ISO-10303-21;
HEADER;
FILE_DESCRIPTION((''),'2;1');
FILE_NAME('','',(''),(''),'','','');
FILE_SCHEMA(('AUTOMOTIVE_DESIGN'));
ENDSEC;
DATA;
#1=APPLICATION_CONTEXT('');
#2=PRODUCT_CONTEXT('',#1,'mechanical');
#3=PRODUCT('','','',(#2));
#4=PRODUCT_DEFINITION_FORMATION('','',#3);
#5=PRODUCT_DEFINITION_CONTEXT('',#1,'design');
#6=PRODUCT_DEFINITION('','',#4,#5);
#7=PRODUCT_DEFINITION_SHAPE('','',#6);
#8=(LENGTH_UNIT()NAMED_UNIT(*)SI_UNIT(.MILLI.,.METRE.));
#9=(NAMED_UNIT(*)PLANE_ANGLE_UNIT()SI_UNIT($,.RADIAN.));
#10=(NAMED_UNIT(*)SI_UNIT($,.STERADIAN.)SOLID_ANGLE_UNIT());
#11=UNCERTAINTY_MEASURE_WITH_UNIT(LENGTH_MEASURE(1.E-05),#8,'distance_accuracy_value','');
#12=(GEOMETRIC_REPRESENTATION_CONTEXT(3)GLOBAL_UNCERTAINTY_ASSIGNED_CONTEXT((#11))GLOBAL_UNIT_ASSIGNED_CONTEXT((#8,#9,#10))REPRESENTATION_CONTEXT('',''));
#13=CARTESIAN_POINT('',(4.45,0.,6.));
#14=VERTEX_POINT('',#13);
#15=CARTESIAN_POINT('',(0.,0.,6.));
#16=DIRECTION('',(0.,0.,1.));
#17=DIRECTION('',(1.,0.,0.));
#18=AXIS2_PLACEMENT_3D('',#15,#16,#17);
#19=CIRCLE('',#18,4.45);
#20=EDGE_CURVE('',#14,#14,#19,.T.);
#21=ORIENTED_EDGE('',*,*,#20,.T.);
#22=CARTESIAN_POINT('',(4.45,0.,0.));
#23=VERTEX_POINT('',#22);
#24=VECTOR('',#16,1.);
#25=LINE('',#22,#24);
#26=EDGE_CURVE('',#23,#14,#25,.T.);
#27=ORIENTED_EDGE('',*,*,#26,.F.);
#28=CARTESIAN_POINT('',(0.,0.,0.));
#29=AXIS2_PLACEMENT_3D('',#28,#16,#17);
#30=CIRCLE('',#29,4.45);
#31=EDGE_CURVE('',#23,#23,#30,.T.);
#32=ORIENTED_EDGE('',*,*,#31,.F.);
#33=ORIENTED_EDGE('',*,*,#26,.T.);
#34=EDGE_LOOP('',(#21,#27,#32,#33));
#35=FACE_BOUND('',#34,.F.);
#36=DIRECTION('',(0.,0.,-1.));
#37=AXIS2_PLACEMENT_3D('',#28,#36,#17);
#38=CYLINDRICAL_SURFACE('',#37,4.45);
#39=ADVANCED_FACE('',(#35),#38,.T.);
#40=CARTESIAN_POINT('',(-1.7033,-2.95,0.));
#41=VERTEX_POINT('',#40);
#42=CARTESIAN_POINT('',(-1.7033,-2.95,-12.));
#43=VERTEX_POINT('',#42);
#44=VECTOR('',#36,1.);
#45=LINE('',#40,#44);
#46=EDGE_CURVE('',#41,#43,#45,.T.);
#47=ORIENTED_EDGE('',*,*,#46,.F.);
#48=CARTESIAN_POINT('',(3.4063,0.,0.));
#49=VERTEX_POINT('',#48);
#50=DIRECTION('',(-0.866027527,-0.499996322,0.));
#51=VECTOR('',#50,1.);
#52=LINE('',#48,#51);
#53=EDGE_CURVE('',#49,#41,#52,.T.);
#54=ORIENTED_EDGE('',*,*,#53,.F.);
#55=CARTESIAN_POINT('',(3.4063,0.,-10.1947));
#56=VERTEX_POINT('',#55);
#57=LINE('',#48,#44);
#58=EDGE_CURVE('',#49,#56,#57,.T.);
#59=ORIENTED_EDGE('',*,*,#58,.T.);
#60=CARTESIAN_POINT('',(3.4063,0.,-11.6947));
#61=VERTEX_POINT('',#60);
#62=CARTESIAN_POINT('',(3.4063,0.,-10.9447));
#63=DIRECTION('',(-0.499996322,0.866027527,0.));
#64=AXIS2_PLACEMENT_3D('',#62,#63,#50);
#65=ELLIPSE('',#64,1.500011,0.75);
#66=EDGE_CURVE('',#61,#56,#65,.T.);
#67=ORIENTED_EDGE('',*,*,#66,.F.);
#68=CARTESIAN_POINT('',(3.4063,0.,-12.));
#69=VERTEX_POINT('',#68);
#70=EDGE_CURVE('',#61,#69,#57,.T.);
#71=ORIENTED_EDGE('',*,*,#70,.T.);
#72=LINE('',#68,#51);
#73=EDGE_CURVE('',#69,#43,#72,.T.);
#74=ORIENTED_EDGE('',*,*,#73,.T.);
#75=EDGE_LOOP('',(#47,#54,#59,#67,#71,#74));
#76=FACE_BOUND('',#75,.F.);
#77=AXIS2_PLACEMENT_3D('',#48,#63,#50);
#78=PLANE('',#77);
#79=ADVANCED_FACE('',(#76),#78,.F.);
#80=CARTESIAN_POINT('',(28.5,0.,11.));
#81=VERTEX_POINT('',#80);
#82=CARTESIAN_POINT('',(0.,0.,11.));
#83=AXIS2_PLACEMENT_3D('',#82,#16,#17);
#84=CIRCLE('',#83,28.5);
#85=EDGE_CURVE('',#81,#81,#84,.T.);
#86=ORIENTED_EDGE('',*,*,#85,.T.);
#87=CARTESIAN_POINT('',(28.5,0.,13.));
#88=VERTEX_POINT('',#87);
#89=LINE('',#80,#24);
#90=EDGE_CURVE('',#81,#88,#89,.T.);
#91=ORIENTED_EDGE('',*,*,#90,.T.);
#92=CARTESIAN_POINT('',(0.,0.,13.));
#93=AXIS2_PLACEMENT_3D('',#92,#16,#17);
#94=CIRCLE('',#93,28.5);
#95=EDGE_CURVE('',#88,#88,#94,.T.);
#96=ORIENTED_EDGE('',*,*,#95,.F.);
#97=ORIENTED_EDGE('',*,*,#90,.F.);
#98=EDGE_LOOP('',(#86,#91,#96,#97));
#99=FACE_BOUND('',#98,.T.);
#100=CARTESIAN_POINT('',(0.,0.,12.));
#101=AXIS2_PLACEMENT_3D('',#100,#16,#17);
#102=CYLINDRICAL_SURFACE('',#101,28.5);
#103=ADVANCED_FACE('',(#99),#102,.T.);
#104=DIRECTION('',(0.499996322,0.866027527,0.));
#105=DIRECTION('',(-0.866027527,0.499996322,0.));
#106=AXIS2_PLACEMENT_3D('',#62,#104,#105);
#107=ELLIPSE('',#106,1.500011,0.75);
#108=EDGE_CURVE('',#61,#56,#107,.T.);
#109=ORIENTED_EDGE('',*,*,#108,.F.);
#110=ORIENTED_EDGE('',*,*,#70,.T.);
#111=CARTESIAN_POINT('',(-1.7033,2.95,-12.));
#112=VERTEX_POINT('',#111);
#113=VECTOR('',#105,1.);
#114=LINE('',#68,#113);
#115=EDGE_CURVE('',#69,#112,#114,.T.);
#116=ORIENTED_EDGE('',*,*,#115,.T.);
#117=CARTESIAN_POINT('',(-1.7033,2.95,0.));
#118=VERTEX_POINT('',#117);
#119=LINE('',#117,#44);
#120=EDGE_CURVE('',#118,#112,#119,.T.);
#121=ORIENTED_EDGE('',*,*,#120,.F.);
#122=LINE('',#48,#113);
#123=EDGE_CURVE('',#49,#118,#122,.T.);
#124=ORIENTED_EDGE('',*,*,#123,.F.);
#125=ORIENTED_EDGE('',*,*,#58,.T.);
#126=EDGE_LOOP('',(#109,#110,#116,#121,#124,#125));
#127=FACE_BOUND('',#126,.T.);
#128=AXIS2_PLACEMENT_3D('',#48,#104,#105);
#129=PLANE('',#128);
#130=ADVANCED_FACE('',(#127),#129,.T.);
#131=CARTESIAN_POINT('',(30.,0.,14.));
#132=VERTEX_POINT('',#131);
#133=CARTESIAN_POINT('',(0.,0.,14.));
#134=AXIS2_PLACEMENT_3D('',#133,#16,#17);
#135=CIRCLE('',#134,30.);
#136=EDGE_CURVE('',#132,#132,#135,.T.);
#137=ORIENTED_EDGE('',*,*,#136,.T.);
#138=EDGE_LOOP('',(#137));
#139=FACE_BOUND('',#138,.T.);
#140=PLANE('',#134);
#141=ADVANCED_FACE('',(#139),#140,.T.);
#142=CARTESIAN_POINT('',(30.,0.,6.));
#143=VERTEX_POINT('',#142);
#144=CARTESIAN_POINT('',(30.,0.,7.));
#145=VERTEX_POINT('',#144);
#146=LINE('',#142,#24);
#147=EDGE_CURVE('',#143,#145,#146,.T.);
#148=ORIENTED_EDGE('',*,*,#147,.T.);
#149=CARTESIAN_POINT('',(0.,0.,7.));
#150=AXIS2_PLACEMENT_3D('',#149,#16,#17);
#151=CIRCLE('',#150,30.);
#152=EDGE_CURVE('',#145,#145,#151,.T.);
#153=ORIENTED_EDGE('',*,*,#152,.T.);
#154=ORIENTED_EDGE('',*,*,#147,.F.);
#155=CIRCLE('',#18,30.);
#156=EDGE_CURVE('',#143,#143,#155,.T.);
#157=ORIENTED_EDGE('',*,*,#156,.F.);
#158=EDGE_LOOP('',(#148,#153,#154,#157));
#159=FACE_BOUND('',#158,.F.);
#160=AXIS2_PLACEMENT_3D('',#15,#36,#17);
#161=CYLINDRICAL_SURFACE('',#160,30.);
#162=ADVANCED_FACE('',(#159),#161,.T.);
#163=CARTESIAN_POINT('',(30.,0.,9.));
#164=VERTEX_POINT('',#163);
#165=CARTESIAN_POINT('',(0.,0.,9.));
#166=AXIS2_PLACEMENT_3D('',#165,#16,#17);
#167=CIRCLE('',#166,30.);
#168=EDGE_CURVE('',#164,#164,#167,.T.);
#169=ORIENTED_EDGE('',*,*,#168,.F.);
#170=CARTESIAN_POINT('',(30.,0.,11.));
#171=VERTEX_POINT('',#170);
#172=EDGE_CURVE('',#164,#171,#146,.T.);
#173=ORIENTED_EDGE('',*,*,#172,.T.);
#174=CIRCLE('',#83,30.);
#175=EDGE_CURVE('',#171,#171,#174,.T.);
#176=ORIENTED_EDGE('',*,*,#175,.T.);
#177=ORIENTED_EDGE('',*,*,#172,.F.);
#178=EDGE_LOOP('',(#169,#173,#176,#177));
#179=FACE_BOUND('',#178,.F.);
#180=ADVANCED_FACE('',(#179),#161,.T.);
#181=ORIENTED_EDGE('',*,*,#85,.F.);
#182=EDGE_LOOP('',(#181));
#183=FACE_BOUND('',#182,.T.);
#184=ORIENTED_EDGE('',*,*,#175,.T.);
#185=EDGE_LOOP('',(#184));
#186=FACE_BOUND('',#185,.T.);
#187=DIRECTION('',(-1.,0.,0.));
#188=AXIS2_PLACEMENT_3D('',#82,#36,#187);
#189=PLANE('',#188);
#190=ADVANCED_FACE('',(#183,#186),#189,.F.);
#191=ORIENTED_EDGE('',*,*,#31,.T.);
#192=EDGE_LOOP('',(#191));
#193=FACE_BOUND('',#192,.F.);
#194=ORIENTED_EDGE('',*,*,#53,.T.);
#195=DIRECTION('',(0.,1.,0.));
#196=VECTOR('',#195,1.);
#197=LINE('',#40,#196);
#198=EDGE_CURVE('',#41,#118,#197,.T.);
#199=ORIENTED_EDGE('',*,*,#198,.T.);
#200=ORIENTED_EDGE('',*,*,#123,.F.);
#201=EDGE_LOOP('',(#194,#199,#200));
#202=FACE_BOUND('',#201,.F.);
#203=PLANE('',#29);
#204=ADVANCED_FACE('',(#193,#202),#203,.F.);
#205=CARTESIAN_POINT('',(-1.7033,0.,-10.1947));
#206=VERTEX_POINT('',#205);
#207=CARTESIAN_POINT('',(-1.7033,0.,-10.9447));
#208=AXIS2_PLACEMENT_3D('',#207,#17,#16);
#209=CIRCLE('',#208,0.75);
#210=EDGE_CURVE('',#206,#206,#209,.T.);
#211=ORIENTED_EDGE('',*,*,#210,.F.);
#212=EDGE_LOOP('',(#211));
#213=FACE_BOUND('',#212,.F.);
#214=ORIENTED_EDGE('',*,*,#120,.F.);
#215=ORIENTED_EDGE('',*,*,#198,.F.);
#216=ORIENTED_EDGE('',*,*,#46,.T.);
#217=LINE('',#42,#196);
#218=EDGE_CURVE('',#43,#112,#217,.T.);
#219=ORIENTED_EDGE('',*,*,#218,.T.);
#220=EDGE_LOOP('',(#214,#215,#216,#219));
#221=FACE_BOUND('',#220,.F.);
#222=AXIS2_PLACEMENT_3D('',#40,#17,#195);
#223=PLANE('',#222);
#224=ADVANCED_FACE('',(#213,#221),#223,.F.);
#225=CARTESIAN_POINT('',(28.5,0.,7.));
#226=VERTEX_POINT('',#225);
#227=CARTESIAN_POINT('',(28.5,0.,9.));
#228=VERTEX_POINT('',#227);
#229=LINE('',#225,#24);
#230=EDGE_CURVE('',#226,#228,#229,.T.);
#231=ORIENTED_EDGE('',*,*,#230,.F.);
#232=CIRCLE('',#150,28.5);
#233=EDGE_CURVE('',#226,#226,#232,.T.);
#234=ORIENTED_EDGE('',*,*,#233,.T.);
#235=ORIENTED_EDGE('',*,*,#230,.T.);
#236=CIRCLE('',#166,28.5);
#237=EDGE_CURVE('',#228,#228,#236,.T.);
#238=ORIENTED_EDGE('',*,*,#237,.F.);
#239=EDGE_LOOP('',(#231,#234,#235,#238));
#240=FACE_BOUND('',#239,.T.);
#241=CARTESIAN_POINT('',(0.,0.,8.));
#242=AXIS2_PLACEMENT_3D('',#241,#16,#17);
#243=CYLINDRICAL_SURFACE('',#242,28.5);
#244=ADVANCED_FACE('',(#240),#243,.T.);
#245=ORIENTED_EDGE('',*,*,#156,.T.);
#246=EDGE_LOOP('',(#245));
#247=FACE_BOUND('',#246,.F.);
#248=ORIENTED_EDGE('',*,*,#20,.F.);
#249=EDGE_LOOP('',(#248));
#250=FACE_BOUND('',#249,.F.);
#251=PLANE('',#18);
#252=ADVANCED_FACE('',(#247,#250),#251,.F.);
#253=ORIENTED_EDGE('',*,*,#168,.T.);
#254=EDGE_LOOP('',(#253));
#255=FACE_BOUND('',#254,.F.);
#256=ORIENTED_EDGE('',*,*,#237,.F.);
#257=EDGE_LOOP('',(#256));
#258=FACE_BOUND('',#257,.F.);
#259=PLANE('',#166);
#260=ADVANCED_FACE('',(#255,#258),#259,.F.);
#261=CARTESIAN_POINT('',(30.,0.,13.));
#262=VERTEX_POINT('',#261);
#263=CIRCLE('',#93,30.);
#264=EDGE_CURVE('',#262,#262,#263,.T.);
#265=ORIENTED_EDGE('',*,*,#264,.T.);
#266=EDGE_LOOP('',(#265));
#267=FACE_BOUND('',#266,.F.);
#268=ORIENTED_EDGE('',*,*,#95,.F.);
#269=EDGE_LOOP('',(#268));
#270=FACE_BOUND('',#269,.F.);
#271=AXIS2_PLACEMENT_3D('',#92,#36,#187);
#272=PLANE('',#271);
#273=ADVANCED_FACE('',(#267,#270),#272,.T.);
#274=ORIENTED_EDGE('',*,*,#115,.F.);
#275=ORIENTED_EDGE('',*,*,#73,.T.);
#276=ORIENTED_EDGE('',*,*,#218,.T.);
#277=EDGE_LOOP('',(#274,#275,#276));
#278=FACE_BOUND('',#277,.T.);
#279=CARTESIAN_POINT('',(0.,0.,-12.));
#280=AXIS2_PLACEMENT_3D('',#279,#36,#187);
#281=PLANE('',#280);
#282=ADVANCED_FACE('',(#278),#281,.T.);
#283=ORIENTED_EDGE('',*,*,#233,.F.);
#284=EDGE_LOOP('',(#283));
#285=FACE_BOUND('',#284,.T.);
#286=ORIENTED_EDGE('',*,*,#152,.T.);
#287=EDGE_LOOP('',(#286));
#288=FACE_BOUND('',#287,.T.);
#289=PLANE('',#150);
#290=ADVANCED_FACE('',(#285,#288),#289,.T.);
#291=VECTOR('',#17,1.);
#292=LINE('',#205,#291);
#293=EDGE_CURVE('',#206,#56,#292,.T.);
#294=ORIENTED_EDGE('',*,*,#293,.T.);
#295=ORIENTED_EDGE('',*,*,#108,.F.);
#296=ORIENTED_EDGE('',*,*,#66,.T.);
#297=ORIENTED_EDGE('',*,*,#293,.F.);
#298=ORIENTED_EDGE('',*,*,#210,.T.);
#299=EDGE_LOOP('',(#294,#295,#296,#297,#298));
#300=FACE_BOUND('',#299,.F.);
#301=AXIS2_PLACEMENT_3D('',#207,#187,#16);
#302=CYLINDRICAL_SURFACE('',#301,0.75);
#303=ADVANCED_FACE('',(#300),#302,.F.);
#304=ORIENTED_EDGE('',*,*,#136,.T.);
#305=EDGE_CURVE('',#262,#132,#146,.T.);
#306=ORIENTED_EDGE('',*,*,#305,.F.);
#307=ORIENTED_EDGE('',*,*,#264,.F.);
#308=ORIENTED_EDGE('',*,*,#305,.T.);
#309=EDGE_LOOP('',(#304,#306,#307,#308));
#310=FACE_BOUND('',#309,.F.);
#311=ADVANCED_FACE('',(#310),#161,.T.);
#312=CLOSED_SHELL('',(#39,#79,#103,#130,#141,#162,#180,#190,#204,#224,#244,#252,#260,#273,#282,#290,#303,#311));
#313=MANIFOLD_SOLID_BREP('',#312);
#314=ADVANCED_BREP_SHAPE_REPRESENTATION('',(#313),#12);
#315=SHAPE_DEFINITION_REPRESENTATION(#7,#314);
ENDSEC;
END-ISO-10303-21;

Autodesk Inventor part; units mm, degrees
ref_plane "YZ Plane" through (0, 0, 0) normal (1, 0, 0) x (0, 1, 0)
ref_plane "XZ Plane" through (0, 0, 0) normal (0, 1, 0) x (-1, 0, 0)
ref_plane "XY Plane" through (0, 0, 0) normal (0, 0, 1) x (1, 0, 0)
sketch "Sketch3" plane through (0, 0, 0) normal (0, 0, 1) x (1, 0, 0)
  circle A0 centre (0, 0) radius 4.45
  dimension "d11" = 8.9
extrude "Extrusion3" add sketch "Sketch3" along normal blind 6
sketch "Sketch4" plane through (0, 0, 6) normal (0, 0, 1) x (1, 0, 0)
  circle A0 centre (0, 0) radius 30
  dimension "d14" = 60
extrude "Extrusion4" add sketch "Sketch4" along normal blind 8
ref_plane "Work Plane2" through (0, 0, 8) normal (0, 0, 1) x (1, 0, 0)
ref_plane "Work Plane1" through (0, 0, 10) normal (0, 0, 1) x (1, 0, 0)
sketch "Sketch5" plane through (0, 0, 8) normal (0, 0, 1) x (1, 0, 0)
  circle A0 centre (0, 0) radius 28.5
  circle A1 centre (0, 0) radius 30
  dimension "d17" = 57
  dimension "d18" = 60
extrude "Extrusion5" cut sketch "Sketch5" along normal mid plane 2
mirror "Mirror1" about plane through (0, 0, 10) normal (0, 0, 1) of "Extrusion5"
sketch "Sketch7" plane through (0, 0, 0) normal (0, 0, -1) x (-1, 0, 0)
  line L0 (-3.4063, 0) -> (1.7033, -2.95)
  line L1 (1.7033, -2.95) -> (1.7033, 2.95)
  line L2 (-3.4063, 0) -> (1.7033, 2.95)
  dimension "d29" = 5.9
  dimension "d30" = 5.9
  dimension "d34" = 5.9
extrude "Extrusion7" add sketch "Sketch7" along normal blind 12
sketch "Sketch8" plane through (-1.7033, -2.95, 0) normal (-1, 0, 0) x (0, 0, 1)
  line L0 (0, 2.95) -> (-12, 2.95) projected
  circle A0 centre (-10.9447, 2.95) radius 0.75
  dimension "d37" = 1.5
extrude "Extrusion8" cut sketch "Sketch8" against normal blind 12
ref_plane "Work Plane3" through (0, 0, 10) normal (0, 0, 1) x (1, 0, 0)
ref_plane "Work Plane4" through (0, 0, 12) normal (0, 0, 1) x (1, 0, 0)
equation "\"d29\" = d34"
equation "\"d30\" = d34"
properties part number "PulleyAdapter"
